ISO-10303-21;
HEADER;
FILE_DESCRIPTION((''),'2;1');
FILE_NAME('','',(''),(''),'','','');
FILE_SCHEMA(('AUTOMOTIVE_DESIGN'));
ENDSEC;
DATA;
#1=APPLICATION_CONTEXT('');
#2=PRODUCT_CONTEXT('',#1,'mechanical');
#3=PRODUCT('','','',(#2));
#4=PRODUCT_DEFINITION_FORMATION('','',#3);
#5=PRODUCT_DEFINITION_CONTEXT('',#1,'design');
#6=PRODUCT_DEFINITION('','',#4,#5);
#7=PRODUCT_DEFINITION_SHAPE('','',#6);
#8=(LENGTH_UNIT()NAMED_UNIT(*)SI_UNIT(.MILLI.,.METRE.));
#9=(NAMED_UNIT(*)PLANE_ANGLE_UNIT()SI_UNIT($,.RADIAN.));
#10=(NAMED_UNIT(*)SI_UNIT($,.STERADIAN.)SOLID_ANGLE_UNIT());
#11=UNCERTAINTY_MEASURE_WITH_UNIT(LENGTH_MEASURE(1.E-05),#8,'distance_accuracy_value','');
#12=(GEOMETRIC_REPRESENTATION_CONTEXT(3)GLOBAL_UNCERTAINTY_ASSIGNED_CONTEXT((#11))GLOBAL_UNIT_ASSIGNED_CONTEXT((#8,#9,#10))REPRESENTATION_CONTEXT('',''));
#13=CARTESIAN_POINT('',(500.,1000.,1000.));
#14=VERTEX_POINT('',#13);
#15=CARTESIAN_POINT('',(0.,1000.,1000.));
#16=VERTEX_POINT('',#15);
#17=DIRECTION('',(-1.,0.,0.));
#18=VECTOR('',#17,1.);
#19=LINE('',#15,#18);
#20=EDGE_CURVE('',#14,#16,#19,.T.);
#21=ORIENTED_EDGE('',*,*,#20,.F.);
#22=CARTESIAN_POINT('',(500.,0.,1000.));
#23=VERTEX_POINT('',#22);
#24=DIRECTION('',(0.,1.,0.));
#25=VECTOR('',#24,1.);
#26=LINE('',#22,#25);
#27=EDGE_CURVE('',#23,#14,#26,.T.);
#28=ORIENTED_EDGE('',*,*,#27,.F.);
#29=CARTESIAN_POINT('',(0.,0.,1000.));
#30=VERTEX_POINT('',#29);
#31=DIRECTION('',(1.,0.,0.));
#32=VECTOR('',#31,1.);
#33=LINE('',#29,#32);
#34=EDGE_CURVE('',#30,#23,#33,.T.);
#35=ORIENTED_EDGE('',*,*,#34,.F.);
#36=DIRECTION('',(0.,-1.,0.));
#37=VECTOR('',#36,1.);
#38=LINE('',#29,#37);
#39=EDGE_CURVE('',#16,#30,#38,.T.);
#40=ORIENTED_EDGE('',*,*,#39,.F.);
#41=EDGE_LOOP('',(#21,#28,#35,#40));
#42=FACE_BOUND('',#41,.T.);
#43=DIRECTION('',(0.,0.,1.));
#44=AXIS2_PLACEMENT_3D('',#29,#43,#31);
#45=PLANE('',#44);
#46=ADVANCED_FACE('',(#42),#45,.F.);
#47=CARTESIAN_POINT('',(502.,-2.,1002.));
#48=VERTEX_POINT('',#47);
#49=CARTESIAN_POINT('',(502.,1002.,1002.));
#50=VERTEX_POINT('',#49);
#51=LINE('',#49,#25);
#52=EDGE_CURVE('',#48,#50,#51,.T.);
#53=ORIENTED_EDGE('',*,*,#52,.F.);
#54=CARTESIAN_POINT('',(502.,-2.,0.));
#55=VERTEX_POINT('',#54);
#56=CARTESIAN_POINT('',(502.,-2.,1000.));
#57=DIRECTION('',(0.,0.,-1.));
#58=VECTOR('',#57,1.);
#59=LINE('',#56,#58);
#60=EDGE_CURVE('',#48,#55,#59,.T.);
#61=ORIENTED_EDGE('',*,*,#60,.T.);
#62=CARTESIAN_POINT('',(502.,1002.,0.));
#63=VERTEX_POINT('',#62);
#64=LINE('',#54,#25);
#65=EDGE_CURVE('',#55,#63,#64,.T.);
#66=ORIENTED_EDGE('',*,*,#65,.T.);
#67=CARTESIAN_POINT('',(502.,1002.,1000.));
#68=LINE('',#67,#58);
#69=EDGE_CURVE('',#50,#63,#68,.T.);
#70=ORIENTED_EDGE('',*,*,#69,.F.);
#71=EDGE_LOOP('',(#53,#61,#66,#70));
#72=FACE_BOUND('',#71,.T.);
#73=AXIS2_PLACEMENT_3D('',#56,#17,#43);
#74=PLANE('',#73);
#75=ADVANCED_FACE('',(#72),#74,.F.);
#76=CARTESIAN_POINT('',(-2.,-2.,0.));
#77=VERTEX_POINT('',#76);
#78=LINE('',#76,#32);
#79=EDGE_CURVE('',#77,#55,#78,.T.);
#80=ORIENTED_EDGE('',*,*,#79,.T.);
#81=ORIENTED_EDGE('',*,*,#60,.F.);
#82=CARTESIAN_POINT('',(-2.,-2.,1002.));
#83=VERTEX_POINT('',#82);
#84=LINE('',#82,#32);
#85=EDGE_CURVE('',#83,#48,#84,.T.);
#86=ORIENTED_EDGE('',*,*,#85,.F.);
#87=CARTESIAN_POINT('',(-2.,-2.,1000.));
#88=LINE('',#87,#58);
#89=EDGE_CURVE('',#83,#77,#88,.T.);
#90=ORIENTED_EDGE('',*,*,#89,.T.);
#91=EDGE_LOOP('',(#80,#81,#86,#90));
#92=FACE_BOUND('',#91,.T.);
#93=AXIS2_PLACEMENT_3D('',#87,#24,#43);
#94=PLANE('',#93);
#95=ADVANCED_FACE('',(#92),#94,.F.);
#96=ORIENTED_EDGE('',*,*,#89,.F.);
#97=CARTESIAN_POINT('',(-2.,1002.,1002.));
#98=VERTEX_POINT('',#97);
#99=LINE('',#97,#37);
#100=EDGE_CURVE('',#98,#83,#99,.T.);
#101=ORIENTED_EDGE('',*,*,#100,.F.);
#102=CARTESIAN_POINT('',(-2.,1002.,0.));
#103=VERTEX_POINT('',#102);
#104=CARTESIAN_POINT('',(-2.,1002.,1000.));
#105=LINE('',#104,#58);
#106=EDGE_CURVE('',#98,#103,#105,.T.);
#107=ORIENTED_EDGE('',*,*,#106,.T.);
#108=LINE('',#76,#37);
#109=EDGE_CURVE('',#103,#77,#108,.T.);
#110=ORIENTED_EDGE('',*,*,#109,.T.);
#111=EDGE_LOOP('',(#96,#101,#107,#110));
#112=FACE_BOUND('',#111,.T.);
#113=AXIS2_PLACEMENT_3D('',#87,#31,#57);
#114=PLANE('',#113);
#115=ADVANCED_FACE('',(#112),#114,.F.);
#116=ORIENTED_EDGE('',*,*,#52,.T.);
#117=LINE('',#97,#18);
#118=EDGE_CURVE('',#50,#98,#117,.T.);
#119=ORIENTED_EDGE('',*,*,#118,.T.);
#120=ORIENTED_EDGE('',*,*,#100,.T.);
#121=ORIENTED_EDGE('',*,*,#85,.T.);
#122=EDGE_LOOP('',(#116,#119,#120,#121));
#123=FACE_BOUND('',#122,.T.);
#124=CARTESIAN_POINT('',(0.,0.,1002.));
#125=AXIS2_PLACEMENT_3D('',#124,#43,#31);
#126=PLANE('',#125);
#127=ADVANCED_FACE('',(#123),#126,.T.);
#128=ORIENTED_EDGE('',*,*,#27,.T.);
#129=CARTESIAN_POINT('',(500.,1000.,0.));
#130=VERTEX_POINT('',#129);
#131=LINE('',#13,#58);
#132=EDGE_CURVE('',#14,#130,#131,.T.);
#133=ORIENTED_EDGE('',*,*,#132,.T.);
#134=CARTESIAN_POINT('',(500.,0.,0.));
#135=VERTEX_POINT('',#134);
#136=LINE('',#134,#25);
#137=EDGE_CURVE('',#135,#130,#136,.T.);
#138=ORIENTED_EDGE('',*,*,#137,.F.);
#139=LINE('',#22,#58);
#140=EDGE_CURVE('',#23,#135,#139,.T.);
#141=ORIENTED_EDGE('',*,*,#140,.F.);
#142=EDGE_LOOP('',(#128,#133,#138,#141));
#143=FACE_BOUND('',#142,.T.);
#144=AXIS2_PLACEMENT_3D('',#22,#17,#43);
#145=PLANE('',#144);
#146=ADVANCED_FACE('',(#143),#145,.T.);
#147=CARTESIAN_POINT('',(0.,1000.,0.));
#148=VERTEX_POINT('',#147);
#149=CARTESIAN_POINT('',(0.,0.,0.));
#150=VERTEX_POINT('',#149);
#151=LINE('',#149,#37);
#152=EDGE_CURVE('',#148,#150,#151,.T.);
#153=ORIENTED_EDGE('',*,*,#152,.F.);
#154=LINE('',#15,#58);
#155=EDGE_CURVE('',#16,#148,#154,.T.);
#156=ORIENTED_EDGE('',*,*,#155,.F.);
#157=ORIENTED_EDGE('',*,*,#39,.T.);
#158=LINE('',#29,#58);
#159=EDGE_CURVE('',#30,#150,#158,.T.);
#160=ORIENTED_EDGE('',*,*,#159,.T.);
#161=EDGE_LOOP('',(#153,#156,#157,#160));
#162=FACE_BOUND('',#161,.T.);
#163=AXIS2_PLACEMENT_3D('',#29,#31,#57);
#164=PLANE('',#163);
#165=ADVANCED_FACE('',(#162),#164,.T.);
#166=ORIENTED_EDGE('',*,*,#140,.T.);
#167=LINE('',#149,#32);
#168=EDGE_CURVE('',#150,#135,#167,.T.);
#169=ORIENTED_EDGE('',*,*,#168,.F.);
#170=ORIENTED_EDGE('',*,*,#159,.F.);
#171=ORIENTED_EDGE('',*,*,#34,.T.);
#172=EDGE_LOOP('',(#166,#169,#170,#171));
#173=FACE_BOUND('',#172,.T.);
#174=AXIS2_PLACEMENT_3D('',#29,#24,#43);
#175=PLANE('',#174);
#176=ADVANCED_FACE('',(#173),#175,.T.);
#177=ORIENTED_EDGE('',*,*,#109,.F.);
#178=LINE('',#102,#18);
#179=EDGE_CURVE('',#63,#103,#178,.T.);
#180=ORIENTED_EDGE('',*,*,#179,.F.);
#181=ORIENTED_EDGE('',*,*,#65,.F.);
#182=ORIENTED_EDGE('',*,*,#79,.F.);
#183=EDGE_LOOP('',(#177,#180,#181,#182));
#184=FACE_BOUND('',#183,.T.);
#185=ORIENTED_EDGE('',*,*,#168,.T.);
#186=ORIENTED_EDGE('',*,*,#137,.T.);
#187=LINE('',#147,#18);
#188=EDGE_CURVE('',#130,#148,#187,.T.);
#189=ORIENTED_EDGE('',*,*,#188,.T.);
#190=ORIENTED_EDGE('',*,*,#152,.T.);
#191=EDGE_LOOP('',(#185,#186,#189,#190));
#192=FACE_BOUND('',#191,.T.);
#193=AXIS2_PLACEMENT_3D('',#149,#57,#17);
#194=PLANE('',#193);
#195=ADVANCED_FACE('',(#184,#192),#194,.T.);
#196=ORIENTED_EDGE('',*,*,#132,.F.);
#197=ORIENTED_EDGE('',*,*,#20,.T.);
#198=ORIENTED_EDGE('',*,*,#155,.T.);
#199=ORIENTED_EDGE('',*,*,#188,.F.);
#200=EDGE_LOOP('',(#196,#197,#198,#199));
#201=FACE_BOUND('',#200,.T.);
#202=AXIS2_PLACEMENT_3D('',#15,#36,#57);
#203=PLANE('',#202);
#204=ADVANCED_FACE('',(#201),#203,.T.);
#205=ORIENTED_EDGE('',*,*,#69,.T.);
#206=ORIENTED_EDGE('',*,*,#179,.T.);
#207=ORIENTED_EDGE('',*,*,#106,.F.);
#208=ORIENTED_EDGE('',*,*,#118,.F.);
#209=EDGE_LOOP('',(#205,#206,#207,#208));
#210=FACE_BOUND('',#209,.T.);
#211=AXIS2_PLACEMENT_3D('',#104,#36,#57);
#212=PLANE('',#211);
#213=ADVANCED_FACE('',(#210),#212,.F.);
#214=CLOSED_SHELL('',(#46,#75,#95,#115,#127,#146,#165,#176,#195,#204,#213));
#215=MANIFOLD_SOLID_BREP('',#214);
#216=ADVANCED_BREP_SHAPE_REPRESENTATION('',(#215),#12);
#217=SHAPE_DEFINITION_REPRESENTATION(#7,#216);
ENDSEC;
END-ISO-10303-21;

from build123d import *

# Parameters (mm, degrees)
SKETCH1_W           = 504
SKETCH1_H           = 1004
SKETCH1_W_2         = 500
SKETCH1_H_2         = 1000
BOSS_EXTRUDE1_DEPTH = 1000
SKETCH2_W           = 504
SKETCH2_H           = 1004
BOSS_EXTRUDE2_DEPTH = 2


with BuildPart() as part:
    # Sketch1 → Boss-Extrude1 (new body)
    with BuildSketch(Plane.XY):
        with Locations((250, 500)):
            Rectangle(SKETCH1_W, SKETCH1_H)
        with Locations((250, 500)):
            Rectangle(SKETCH1_W_2, SKETCH1_H_2, mode=Mode.SUBTRACT)
    extrude(amount=BOSS_EXTRUDE1_DEPTH)

    # Sketch2 → Boss-Extrude2 (add)
    with BuildSketch(Plane.XY.offset(1000)):
        with Locations((250, 500)):
            Rectangle(SKETCH2_W, SKETCH2_H)
    extrude(amount=BOSS_EXTRUDE2_DEPTH)


solid = part.part
